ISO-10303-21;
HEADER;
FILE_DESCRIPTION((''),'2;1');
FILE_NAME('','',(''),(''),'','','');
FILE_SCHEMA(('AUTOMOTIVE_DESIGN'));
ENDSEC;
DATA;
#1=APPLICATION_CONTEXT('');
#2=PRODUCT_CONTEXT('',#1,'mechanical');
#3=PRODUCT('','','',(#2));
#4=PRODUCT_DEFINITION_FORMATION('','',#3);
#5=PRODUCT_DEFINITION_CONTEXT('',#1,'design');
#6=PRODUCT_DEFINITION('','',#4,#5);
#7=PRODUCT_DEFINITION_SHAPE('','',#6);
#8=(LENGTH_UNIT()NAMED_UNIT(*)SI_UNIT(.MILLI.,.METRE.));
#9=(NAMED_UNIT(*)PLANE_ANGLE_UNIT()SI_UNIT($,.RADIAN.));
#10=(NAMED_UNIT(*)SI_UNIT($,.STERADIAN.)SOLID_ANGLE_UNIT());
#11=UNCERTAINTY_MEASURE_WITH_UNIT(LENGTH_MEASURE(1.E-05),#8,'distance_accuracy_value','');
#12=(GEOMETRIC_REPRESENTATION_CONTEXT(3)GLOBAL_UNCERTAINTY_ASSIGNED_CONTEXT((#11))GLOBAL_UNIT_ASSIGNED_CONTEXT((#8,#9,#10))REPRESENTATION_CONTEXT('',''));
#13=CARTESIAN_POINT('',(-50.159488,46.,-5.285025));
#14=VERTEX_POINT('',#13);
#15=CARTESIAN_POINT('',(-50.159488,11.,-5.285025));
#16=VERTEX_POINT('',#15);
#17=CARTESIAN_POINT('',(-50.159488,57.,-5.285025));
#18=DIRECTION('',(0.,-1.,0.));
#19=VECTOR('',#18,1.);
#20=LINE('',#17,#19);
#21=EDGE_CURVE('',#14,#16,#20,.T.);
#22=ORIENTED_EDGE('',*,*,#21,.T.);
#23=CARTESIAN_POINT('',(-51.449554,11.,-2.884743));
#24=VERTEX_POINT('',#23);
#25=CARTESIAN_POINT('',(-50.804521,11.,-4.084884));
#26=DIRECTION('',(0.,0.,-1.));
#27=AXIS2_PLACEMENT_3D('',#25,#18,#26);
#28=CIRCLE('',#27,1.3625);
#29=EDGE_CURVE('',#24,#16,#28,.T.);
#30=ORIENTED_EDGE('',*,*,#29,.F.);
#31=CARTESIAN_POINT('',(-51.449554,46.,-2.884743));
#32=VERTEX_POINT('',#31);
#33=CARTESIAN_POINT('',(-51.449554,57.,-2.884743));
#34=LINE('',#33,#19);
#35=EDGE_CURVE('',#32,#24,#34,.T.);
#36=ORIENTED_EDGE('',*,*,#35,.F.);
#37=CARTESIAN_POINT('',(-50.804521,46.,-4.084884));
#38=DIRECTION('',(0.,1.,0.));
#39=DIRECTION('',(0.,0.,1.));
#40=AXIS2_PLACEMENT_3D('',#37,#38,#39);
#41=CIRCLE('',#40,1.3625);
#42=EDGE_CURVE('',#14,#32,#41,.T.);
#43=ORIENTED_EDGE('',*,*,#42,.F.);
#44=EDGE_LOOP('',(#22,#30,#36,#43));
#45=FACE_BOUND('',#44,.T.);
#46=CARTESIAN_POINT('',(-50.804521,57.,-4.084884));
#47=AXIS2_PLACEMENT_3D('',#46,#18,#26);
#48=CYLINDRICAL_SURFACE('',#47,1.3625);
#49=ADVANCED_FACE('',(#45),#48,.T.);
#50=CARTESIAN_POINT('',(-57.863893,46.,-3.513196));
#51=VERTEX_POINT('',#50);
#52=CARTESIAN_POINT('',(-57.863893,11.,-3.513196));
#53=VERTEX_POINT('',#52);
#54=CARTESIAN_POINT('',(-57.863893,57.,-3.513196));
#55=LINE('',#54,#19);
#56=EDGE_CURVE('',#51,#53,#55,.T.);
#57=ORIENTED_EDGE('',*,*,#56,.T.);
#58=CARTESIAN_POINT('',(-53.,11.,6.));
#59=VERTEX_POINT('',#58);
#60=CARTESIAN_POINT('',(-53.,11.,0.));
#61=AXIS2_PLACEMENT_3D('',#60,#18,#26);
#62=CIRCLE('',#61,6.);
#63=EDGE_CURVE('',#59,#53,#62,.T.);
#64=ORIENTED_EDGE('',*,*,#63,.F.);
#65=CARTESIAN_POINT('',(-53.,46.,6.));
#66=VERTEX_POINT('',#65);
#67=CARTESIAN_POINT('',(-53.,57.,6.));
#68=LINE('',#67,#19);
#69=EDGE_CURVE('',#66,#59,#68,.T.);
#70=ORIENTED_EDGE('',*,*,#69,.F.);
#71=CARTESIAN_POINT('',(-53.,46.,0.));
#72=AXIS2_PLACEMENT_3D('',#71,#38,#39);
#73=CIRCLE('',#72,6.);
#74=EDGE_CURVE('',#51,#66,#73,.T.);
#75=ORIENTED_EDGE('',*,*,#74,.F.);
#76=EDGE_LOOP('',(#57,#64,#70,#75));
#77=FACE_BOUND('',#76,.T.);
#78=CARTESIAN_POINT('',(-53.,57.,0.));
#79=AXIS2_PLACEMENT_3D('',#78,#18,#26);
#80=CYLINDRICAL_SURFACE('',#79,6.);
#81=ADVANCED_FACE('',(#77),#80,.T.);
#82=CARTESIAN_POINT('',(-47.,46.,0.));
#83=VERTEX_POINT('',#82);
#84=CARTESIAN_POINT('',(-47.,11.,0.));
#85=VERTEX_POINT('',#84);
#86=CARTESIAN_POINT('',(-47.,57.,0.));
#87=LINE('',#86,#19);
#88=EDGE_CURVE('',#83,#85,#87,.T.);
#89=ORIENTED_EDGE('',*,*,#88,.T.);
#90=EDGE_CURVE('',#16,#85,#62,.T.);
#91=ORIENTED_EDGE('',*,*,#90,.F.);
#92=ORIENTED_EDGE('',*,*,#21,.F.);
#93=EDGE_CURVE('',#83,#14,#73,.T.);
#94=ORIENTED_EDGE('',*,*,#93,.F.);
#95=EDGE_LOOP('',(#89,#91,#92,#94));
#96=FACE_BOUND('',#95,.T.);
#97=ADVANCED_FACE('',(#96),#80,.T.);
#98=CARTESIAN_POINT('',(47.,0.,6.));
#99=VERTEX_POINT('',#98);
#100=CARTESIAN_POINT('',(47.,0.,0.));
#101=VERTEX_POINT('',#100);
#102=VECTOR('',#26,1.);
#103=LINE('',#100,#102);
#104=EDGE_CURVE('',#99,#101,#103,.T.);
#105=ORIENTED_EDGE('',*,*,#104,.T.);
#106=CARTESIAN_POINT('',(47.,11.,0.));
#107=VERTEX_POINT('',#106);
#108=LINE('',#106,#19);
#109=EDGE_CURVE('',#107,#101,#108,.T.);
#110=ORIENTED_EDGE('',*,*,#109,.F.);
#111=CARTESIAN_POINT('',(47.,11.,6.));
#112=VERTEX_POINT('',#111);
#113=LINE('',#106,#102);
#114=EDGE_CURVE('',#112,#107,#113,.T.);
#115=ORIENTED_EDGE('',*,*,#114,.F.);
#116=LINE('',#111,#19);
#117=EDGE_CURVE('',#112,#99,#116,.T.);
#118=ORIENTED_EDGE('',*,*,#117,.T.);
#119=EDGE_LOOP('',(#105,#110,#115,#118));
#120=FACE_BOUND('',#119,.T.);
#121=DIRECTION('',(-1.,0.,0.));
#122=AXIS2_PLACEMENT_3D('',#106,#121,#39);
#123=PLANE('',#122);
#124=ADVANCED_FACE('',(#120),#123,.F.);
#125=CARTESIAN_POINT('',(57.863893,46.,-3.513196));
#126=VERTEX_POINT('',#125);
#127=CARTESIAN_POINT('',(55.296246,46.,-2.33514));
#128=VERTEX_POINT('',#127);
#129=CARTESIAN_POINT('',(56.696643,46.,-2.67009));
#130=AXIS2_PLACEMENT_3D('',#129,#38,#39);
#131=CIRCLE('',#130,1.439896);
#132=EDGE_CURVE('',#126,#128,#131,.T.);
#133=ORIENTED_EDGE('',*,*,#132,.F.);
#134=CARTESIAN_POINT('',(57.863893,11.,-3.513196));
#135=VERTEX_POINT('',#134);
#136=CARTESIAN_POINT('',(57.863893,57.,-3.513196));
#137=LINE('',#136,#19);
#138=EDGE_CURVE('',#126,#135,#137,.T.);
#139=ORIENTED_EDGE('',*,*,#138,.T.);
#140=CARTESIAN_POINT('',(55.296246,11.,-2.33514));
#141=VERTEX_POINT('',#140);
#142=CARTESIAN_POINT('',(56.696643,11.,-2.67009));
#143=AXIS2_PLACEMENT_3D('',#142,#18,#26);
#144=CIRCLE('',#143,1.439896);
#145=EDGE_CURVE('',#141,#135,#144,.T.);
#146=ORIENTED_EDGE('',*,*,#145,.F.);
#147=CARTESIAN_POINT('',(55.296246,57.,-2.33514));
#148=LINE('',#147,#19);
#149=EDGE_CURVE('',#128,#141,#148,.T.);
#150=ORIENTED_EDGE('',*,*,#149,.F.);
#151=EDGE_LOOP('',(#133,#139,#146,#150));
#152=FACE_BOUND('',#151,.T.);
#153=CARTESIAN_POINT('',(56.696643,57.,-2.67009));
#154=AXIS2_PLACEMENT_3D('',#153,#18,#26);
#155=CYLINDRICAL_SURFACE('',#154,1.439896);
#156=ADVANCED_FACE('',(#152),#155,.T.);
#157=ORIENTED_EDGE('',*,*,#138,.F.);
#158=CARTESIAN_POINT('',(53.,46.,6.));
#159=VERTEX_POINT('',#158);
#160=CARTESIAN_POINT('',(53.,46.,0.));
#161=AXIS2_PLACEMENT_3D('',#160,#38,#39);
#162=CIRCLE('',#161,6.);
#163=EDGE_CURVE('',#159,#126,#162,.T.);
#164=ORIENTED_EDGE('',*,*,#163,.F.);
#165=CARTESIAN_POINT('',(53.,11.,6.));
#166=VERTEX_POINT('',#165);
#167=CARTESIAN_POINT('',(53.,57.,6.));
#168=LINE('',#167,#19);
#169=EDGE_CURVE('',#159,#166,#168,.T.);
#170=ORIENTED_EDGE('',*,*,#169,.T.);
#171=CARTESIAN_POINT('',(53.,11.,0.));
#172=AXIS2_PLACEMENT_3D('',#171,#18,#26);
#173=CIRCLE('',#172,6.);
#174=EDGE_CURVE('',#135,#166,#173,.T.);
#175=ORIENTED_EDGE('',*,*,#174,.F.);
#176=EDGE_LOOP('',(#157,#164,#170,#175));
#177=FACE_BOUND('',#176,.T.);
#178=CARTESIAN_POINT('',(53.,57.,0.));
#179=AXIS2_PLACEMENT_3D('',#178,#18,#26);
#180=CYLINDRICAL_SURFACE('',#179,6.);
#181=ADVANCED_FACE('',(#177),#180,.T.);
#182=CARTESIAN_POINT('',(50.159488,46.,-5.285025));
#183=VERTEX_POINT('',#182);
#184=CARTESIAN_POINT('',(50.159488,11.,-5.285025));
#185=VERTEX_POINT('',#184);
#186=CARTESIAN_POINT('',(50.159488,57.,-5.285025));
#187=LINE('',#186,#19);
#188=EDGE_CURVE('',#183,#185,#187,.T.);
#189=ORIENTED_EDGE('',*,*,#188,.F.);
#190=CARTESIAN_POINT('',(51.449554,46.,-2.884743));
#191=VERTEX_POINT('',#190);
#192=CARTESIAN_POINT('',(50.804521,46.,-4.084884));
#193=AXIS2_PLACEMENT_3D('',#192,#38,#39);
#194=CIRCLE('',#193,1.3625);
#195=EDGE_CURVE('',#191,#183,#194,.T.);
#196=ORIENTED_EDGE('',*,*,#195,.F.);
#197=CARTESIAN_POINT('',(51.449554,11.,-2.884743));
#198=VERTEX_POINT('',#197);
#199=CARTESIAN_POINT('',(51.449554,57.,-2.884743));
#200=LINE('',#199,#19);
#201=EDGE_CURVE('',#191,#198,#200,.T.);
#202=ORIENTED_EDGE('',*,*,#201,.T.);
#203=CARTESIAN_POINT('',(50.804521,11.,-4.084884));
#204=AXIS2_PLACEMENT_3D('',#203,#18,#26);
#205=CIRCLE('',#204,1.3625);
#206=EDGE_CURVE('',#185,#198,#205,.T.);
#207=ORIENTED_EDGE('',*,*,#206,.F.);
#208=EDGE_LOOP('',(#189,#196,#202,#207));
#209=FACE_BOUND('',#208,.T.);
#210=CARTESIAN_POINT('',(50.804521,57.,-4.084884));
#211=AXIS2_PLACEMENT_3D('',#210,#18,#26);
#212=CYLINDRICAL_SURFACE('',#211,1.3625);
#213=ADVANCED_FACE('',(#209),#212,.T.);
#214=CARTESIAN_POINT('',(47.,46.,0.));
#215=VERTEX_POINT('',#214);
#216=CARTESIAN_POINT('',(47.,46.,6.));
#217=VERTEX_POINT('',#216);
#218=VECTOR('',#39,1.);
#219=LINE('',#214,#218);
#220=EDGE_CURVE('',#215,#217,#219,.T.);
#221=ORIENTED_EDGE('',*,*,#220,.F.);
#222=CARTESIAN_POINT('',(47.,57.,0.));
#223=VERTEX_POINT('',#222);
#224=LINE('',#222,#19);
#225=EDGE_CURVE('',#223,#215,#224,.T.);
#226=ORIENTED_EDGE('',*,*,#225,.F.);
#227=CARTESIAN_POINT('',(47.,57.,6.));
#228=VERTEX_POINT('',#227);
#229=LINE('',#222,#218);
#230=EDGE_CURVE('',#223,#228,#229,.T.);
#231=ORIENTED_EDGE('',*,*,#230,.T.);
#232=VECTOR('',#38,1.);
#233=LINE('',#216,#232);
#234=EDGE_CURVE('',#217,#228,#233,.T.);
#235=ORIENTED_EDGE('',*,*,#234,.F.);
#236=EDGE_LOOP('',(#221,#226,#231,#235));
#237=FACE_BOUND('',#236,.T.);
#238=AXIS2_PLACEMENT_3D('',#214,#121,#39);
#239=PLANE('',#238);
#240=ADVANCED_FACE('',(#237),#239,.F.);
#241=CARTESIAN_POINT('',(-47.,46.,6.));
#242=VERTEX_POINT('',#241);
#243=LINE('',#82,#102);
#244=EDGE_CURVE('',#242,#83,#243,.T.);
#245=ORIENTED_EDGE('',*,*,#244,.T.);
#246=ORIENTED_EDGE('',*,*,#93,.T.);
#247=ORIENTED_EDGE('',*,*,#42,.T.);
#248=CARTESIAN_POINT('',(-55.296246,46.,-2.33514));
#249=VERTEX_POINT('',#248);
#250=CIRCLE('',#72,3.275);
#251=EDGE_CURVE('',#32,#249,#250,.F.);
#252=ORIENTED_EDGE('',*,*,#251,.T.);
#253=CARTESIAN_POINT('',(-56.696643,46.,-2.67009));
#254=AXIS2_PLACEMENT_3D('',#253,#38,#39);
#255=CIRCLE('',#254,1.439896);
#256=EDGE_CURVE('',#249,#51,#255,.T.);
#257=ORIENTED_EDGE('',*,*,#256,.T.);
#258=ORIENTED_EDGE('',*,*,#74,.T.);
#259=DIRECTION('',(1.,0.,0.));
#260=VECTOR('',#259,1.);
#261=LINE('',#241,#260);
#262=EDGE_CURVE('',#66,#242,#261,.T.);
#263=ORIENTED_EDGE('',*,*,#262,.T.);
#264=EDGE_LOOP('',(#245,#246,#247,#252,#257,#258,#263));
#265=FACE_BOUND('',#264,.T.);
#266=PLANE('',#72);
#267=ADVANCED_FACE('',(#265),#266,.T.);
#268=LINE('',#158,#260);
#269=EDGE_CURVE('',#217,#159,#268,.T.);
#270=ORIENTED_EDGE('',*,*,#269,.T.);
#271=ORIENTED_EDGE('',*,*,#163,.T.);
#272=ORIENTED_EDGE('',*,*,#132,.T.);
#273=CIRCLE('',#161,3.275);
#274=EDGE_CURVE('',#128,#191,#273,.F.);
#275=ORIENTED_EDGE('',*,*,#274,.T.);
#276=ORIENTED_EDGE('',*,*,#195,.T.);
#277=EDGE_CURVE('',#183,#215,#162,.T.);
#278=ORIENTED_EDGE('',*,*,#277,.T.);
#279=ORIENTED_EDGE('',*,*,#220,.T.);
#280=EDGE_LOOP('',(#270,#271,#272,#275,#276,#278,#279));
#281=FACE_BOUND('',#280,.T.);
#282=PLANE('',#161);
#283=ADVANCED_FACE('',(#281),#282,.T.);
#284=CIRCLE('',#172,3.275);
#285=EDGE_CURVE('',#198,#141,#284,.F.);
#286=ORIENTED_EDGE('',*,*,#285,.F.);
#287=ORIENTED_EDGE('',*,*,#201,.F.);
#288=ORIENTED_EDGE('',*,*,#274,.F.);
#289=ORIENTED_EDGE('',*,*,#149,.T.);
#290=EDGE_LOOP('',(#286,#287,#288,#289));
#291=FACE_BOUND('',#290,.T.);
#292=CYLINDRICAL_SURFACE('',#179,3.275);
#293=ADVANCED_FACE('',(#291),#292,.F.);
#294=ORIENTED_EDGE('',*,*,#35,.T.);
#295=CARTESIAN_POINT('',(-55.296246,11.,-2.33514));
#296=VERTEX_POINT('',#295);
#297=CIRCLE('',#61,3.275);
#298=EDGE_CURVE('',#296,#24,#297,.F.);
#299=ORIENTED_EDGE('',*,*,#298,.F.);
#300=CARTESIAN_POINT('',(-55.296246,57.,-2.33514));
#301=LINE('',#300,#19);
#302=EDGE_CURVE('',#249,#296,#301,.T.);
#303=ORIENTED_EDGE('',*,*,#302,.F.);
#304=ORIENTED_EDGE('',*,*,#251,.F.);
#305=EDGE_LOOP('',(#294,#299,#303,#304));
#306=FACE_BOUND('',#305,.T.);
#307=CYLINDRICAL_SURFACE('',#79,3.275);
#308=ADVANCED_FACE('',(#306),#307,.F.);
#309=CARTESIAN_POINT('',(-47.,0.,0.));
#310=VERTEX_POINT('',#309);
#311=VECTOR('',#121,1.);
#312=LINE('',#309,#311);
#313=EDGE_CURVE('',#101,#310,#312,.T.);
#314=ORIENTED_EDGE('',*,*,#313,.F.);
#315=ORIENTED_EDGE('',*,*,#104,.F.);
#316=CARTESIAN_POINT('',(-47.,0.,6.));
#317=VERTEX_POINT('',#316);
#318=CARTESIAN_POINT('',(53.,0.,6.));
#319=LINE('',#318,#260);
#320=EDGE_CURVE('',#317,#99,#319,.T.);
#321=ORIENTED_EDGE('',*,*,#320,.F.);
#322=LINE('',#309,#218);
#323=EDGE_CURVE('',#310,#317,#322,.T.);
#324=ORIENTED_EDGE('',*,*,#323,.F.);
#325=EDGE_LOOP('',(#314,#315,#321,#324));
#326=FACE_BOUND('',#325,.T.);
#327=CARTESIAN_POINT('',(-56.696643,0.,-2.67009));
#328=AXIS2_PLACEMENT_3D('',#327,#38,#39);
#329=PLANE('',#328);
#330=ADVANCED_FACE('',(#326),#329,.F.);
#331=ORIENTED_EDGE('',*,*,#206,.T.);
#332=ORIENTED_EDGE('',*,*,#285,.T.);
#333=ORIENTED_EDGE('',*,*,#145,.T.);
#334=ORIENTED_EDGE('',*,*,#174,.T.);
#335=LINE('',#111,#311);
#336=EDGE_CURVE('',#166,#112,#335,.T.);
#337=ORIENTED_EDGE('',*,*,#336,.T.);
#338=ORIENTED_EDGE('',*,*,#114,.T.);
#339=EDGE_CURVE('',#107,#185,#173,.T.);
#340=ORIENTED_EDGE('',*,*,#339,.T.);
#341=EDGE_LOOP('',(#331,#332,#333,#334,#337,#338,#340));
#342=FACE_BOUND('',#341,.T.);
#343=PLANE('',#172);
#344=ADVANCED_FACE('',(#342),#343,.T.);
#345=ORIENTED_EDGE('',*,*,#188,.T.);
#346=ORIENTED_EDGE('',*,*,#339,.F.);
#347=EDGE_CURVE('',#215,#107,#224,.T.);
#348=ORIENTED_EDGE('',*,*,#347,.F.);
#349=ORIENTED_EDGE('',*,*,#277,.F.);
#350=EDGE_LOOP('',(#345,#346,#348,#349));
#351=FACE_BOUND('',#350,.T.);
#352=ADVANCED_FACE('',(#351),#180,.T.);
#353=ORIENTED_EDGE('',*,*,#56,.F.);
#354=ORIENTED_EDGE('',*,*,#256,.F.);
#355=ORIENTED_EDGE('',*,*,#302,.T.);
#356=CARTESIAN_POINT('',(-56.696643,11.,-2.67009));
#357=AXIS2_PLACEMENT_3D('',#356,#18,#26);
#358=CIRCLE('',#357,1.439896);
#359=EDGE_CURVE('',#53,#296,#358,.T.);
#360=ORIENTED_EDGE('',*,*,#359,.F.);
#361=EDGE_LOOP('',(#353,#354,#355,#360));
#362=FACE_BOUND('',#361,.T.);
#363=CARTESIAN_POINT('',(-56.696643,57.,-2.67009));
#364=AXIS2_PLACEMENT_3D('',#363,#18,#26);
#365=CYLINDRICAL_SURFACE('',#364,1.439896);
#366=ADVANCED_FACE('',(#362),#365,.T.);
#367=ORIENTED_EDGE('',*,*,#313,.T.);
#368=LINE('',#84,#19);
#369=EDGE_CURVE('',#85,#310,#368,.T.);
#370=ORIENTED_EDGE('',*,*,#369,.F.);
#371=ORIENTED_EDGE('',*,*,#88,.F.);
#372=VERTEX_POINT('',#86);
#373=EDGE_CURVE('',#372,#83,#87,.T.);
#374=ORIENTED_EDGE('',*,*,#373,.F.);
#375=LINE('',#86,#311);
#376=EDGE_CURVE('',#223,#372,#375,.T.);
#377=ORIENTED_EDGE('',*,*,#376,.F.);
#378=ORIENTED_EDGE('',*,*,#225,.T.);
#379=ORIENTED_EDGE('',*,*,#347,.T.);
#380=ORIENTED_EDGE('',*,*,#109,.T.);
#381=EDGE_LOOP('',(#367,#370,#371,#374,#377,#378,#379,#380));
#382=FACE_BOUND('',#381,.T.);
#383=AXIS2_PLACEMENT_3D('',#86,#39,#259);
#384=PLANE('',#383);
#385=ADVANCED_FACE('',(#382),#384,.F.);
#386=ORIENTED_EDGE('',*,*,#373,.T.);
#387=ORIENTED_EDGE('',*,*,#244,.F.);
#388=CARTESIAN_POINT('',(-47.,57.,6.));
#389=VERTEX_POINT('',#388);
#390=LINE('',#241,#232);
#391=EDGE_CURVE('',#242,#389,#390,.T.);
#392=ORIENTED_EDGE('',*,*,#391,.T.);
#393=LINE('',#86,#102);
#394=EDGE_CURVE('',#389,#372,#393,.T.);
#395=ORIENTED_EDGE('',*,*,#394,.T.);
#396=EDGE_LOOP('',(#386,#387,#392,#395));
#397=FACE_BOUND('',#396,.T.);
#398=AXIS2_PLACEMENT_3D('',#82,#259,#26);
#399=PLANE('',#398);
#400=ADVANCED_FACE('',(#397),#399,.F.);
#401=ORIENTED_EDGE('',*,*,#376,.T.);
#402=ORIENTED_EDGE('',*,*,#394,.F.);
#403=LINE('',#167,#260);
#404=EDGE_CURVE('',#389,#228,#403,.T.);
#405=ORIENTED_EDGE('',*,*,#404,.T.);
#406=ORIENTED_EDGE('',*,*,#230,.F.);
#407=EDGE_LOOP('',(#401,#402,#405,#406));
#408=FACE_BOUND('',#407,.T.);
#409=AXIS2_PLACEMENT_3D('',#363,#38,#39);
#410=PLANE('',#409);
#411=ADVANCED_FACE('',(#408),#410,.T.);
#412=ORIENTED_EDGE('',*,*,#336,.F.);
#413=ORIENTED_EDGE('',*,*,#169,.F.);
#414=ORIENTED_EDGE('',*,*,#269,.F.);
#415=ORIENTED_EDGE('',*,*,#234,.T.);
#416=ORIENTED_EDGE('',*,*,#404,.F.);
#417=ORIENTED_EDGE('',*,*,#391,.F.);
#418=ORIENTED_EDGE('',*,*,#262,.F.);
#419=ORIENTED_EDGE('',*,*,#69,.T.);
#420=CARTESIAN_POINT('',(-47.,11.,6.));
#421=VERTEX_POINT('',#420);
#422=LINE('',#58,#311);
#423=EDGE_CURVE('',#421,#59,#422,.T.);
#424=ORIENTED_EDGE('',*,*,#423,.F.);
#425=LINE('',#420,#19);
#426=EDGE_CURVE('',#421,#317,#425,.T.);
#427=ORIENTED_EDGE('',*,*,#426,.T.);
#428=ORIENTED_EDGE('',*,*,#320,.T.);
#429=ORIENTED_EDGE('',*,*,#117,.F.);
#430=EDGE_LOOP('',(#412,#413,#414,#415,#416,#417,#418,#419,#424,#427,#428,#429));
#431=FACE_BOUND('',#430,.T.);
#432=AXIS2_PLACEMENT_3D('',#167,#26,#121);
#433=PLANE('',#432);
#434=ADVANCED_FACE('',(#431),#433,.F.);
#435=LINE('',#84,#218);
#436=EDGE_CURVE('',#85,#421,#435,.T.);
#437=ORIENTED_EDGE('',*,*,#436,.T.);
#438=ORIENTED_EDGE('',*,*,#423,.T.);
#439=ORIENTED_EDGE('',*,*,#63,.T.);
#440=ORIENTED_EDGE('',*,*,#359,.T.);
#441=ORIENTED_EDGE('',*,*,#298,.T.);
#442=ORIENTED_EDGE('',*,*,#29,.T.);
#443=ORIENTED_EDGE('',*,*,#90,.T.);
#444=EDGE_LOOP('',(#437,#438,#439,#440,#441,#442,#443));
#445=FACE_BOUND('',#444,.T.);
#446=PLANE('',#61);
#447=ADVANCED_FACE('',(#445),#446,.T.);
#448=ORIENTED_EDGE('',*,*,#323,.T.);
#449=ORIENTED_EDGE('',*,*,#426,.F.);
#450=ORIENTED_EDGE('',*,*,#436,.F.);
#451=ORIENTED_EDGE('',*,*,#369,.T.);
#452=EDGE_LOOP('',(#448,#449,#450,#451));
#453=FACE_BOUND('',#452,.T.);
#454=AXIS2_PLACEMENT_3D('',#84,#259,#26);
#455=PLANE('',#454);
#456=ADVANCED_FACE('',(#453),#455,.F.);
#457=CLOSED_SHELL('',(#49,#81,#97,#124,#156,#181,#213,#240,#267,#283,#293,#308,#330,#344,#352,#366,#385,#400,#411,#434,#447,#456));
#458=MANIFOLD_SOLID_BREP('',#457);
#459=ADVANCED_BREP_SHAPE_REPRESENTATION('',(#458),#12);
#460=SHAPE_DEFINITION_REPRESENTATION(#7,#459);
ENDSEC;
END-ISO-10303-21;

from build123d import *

# Parameters (mm, degrees)
RESSALTO_EXTRUS_O1_DEPTH = 57
CORTE_EXTRUS_O1_START    = -11
CORTE_EXTRUS_O1_DEPTH    = 11
CORTE_EXTRUS_O2_DEPTH    = 11


with BuildPart() as part:
    # Esboço1 → Ressalto-extrusão1 (new body)
    with BuildSketch(Plane(origin=(0, 0, 0), x_dir=(1, 0, 0), z_dir=(0, 1, 0))):
        with BuildLine():
            Line((-47, 0), (47, 0))
            ThreePointArc((47, 0), (47.85009345, 3.078711179), (50.159487509, 5.285024956))
            ThreePointArc((50.159487509, 5.285024956), (52.004661638, 4.729916917), (51.449553599, 2.884742789))
            ThreePointArc((51.449553599, 2.884742789), (52.536782743, -3.242075689), (55.296246294, 2.335139815))
            ThreePointArc((55.296246294, 2.335139815), (56.096189798, 3.978813584), (57.863892701, 3.513196237))
            ThreePointArc((57.863892701, 3.513196237), (58.342245662, -2.731375348), (53, -6))
            Line((53, -6), (-53, -6))
            ThreePointArc((-53, -6), (-58.342245662, -2.731375348), (-57.863892701, 3.513196237))
            ThreePointArc((-57.863892701, 3.513196237), (-56.096189798, 3.978813584), (-55.296246294, 2.335139815))
            ThreePointArc((-55.296246294, 2.335139815), (-52.536782743, -3.242075689), (-51.449553599, 2.884742789))
            ThreePointArc((-51.449553599, 2.884742789), (-52.004661638, 4.729916917), (-50.159487509, 5.285024956))
            ThreePointArc((-50.159487509, 5.285024956), (-47.85009345, 3.078711179), (-47, 0))
        make_face()
    extrude(amount=RESSALTO_EXTRUS_O1_DEPTH)

    # Esboço2 → Corte-extrusão1 (cut)
    with BuildSketch(Plane(origin=(0, 57, 0), x_dir=(1, 0, 0), z_dir=(0, 1, 0)).offset(CORTE_EXTRUS_O1_START)):
        with BuildLine():
            Line((47, 0), (47, -6))
            Line((47, -6), (53, -6))
            ThreePointArc((53, -6), (57.242640687, 4.242640687), (47, 0))
        make_face()
        with BuildLine():
            Line((-47, 0), (-47, -6))
            Line((-47, -6), (-53, -6))
            ThreePointArc((-53, -6), (-57.242640687, 4.242640687), (-47, 0))
        make_face()
    extrude(amount=CORTE_EXTRUS_O1_DEPTH, mode=Mode.SUBTRACT)

    # Esboço3 → Corte-extrusão2 (cut)
    with BuildSketch(Plane.XZ):
        with BuildLine():
            Line((-47, 0), (-47, 6))
            Line((-47, 6), (-53, 6))
            ThreePointArc((-53, 6), (-57.242640687, -4.242640687), (-47, 0))
        make_face()
        with BuildLine():
            Line((47, 0), (47, 6))
            Line((47, 6), (53, 6))
            ThreePointArc((53, 6), (57.242640687, -4.242640687), (47, 0))
        make_face()
    extrude(amount=-CORTE_EXTRUS_O2_DEPTH, mode=Mode.SUBTRACT)


solid = part.part
